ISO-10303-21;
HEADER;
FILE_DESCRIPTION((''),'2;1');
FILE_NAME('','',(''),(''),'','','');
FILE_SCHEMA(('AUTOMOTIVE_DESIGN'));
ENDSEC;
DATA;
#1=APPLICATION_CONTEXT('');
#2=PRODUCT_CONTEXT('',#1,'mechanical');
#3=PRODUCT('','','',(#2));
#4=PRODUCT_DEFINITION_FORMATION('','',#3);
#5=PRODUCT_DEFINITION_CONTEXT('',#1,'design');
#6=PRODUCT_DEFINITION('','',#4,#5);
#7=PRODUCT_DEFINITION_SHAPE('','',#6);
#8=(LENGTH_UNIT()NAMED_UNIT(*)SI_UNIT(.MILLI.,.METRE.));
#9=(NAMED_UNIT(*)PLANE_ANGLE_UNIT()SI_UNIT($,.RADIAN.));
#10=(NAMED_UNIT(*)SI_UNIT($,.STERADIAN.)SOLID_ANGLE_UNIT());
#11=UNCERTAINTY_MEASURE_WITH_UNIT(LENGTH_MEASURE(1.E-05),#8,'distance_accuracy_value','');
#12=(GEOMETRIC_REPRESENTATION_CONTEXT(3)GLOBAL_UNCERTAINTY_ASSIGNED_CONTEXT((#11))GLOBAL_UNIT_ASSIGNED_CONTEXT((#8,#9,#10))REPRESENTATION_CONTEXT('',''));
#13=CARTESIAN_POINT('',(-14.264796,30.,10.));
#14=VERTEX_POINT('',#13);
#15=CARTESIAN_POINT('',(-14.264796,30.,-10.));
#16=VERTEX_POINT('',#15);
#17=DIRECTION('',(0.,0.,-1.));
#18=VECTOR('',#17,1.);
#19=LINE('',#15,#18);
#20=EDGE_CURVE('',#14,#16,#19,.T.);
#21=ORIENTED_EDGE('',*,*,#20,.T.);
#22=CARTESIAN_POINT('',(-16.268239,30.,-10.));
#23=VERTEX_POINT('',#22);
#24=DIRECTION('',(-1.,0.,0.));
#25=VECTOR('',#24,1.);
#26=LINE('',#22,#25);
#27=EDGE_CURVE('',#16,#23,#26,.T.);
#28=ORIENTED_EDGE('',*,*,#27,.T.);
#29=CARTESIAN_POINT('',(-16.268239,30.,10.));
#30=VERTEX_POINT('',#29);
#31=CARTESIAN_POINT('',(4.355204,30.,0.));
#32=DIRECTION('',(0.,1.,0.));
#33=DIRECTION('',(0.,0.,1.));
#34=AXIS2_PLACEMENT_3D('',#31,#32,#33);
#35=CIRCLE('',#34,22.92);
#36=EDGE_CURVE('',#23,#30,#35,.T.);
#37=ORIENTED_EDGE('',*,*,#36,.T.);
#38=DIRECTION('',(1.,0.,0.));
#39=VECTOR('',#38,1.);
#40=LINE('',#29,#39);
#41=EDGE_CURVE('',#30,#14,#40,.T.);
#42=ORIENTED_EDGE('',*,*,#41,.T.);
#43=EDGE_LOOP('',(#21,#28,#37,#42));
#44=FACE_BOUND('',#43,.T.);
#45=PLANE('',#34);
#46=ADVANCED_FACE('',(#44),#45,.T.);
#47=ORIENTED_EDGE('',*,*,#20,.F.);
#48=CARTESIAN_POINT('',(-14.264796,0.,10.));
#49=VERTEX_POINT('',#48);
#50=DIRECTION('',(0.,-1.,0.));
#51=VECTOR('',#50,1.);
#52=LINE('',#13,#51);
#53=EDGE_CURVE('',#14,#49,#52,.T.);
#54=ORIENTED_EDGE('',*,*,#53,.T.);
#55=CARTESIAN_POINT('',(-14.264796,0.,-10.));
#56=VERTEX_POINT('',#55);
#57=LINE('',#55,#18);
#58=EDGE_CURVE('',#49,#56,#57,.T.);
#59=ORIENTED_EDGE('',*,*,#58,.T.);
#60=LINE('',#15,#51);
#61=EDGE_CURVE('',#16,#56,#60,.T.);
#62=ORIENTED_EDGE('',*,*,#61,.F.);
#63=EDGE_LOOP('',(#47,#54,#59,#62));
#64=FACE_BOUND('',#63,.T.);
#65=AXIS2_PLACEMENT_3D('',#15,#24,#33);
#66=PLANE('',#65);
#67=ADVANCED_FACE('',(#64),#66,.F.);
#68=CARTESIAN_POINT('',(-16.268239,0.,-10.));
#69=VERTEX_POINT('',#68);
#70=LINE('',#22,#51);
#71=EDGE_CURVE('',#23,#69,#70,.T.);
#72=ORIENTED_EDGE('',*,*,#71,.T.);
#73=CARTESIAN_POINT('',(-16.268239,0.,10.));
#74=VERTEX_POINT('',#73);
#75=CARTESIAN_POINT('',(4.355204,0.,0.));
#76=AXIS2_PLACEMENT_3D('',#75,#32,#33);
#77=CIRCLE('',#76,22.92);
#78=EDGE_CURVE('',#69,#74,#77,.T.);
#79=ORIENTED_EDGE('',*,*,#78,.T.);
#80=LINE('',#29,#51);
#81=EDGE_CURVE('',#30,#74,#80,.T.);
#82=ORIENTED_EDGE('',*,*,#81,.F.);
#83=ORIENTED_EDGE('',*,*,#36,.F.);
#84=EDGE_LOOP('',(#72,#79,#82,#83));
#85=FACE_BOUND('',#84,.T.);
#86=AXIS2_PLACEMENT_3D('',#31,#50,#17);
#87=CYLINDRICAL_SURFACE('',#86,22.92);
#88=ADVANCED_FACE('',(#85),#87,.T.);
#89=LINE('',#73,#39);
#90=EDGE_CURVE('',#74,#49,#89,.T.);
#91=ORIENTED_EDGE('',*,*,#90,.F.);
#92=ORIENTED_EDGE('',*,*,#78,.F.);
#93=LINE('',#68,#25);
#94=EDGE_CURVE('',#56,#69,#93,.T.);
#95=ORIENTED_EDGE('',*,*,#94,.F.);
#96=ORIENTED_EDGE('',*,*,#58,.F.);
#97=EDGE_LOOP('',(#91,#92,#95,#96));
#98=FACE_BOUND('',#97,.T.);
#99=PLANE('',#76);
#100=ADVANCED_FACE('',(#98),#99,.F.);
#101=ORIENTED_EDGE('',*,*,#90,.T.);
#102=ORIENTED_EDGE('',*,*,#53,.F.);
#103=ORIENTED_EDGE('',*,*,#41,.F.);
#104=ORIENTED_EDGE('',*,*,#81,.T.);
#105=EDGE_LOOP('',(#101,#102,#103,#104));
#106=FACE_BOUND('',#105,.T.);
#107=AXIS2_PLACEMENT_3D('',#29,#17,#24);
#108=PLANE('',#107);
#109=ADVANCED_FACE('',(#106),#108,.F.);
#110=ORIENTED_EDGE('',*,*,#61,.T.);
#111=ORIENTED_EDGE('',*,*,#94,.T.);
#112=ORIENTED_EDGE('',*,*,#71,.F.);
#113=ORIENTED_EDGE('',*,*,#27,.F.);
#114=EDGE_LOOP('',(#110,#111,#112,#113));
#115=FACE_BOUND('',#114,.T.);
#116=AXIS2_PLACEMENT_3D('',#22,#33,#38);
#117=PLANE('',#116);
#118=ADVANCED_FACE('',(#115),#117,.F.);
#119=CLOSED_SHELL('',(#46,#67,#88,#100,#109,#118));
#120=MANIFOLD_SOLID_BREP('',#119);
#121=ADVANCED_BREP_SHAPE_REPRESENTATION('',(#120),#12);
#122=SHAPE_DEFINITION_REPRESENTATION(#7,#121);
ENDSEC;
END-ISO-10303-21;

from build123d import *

# Parameters (mm, degrees)
EXTRUDE_1_DEPTH = 30


with BuildPart() as part:
    # 草图1 → 凸台-拉伸1 (new body)
    with BuildSketch(Plane(origin=(0, 0, 0), x_dir=(1, 0, 0), z_dir=(0, 1, 0))):
        with BuildLine():
            Line((-16.268238637, 10), (-14.264795665, 10))
            Line((-14.264795665, 10), (-14.264795665, -10))
            Line((-14.264795665, -10), (-16.268238637, -10))
            ThreePointArc((-16.268238637, -10), (-18.564795665, 0), (-16.268238637, 10))
        make_face()
    extrude(amount=EXTRUDE_1_DEPTH)


solid = part.part
